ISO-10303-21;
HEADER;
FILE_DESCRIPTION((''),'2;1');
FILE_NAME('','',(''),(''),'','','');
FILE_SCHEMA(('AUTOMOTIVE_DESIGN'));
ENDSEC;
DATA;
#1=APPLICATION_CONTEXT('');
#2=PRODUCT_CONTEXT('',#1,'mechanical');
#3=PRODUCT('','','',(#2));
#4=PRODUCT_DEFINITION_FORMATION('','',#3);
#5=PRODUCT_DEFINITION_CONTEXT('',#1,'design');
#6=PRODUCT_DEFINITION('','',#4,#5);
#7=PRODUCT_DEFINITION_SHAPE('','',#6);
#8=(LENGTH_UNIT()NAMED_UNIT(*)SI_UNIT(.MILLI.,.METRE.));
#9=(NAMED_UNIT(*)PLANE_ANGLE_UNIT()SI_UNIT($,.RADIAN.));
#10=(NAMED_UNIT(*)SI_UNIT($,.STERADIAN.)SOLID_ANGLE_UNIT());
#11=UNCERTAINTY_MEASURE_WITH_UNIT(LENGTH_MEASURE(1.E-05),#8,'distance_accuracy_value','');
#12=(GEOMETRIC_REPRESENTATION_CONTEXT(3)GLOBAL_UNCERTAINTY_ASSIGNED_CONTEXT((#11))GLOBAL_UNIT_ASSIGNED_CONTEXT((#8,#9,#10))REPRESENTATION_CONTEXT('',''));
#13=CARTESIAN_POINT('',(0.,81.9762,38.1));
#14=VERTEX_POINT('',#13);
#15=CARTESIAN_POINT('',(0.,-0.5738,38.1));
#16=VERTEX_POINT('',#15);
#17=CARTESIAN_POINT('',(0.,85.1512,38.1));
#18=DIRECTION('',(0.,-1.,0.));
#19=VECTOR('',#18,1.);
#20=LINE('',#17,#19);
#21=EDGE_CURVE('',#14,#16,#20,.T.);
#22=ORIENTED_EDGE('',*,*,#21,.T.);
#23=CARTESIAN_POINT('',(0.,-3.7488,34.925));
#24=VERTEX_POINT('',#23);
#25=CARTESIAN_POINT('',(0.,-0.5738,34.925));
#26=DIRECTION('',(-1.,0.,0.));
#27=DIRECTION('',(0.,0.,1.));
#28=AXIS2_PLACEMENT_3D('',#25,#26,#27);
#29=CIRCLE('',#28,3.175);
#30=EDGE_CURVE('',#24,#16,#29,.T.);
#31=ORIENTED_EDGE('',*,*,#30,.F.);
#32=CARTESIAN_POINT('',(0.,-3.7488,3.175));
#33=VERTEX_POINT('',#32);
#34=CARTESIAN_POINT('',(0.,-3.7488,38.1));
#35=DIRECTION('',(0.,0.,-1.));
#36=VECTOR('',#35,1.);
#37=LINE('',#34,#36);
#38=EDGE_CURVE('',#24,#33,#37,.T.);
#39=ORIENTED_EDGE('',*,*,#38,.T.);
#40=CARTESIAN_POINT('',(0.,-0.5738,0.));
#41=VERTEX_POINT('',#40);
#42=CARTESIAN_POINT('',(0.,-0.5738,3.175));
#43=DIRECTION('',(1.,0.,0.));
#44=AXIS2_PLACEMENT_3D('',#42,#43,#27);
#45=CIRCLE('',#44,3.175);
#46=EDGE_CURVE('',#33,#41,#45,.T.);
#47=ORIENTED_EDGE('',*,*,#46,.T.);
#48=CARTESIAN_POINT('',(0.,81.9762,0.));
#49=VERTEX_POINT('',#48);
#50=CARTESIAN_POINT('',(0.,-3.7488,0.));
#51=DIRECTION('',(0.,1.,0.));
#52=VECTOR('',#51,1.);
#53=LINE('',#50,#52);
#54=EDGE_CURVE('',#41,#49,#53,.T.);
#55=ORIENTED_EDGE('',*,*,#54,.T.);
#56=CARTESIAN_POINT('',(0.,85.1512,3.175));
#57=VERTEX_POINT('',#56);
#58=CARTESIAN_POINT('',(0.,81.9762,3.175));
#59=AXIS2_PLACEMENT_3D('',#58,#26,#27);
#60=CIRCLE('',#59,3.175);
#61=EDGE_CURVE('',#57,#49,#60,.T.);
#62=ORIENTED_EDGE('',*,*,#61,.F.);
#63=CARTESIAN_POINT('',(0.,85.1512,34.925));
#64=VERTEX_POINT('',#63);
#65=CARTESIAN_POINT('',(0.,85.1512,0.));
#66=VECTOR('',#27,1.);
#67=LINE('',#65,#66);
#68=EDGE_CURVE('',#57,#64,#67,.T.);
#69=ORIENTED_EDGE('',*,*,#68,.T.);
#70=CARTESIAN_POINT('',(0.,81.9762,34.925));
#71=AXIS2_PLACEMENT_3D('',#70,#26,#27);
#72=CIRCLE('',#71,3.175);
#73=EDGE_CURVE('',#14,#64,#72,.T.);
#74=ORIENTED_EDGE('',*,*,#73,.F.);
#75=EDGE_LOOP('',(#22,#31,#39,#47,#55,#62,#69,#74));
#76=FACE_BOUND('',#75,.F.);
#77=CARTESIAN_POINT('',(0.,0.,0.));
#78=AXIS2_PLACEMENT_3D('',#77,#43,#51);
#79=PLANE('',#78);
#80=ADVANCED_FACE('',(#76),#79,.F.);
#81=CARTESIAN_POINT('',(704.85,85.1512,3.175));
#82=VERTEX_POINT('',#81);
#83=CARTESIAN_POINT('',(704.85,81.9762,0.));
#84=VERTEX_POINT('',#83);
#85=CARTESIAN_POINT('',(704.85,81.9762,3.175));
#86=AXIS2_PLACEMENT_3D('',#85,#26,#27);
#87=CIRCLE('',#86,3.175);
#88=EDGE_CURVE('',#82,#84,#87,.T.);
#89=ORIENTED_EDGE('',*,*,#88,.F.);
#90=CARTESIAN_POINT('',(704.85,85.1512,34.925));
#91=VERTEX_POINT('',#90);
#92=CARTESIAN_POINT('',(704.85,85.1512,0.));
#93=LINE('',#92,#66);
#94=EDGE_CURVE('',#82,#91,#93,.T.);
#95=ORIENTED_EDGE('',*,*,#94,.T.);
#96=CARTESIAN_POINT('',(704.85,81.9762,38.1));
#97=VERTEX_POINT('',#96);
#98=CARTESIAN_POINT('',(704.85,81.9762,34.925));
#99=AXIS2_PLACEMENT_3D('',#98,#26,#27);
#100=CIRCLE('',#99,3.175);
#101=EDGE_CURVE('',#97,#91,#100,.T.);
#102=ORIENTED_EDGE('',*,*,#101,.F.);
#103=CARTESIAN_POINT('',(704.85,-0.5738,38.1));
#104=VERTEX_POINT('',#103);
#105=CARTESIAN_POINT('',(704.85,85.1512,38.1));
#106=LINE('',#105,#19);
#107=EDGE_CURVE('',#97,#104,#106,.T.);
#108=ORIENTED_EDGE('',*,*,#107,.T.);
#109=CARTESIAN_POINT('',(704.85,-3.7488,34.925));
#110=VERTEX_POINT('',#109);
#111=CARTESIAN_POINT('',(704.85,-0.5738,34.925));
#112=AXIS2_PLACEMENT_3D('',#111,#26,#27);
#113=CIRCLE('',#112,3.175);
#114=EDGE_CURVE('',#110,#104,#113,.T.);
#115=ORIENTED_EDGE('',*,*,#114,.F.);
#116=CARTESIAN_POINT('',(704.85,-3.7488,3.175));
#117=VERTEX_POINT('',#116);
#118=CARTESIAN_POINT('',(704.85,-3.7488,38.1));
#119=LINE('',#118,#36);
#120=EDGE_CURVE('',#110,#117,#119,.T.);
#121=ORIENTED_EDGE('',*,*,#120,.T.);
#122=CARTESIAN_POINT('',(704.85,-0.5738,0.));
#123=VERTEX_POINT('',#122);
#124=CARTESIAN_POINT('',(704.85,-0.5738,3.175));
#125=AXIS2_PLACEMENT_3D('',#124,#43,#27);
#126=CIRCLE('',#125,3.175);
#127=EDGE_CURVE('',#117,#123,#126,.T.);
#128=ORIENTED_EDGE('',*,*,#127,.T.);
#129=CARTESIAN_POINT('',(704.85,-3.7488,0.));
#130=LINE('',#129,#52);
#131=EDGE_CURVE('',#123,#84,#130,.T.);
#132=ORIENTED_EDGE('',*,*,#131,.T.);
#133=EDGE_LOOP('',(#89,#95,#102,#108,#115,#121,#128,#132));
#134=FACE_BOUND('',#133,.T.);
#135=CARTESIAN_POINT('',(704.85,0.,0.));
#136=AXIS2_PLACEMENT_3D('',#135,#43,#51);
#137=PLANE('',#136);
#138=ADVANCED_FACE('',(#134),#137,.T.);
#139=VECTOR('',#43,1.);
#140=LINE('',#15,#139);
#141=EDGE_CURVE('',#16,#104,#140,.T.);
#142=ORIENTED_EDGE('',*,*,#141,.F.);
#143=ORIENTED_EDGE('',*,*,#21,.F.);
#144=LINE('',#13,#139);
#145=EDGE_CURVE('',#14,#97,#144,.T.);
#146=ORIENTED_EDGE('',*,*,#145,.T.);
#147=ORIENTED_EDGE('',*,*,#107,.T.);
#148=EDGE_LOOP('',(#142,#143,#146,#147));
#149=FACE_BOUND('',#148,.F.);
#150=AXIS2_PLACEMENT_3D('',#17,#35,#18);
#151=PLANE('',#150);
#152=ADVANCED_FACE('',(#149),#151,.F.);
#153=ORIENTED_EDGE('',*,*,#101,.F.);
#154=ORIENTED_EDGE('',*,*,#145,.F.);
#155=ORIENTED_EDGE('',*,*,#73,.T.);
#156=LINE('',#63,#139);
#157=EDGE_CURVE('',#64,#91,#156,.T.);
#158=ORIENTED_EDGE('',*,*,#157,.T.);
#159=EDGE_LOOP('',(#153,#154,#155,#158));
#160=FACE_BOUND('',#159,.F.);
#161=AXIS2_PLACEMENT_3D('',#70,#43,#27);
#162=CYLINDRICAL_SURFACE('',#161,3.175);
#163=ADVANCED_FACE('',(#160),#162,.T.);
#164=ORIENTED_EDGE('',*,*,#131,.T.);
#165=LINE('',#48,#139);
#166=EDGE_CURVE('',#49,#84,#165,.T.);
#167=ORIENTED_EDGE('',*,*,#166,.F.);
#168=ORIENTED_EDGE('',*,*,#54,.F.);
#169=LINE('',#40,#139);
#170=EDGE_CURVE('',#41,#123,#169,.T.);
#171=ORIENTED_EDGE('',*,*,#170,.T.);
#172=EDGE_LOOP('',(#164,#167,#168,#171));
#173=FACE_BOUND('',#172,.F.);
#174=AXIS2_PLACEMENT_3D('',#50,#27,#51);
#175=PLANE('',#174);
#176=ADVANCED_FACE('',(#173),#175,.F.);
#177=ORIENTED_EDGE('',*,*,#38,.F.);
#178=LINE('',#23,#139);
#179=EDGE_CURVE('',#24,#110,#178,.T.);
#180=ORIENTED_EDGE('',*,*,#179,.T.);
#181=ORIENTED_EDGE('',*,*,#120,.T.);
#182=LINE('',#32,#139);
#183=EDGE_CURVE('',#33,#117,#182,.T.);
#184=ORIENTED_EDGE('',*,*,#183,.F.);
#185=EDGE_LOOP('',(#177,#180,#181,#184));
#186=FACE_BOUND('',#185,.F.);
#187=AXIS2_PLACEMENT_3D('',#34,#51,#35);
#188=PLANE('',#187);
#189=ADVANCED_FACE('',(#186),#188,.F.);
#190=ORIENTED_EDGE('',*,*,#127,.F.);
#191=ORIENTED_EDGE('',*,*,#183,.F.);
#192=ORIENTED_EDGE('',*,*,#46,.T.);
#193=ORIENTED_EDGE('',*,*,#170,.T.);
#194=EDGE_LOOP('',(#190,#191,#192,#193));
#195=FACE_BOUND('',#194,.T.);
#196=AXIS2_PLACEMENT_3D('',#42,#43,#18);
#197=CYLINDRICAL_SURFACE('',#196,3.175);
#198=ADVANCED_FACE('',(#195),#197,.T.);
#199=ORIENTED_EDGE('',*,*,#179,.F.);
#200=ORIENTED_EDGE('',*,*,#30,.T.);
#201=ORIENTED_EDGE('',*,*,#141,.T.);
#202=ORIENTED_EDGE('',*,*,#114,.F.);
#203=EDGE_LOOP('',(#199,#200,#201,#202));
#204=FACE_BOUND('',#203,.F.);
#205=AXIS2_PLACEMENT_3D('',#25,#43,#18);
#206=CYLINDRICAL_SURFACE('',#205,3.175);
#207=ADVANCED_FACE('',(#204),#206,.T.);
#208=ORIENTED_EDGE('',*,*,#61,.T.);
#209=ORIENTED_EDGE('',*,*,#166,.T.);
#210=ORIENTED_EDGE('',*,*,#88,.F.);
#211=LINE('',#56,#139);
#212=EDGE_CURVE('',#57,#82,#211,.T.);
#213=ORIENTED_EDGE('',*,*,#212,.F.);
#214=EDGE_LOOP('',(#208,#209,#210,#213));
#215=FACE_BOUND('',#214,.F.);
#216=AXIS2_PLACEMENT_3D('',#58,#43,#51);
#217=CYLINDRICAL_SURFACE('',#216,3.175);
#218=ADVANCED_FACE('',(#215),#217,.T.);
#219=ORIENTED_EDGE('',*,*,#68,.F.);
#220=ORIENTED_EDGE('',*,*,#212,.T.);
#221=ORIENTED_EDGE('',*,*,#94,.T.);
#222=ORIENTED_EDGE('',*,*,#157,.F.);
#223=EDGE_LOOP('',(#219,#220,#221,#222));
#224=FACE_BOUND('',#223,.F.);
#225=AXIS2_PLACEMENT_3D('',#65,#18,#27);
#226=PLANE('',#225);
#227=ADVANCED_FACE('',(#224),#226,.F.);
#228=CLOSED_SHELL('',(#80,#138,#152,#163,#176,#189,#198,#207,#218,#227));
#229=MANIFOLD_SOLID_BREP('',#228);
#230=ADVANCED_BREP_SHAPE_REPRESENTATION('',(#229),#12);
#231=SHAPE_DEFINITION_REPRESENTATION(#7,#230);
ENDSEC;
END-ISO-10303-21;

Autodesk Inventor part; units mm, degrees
ref_plane "YZ Plane" through (0, 0, 0) normal (1, 0, 0) x (0, 1, 0)
ref_plane "XZ Plane" through (0, 0, 0) normal (0, 1, 0) x (-1, 0, 0)
ref_plane "XY Plane" through (0, 0, 0) normal (0, 0, 1) x (1, 0, 0)
sketch "Sketch1" plane through (0, 0, 0) normal (1, 0, 0) x (0, 1, 0)
  line L0 (-3.7488, 0) -> (85.1512, 0)
  line L1 (85.1512, 0) -> (85.1512, 38.1)
  line L2 (85.1512, 38.1) -> (-3.7488, 38.1)
  line L3 (-3.7488, 38.1) -> (-3.7488, 0)
  point P0 (0, 0)
  dimension "d0" = 88.9
  dimension "d1" = 38.1
extrude "Extrusion1" add sketch "Sketch1" along normal blind 704.85
fillet "Fillet1" radius 3.175 4 edges at (352.425, 85.1512, 38.1) (352.425, 85.1512, 0) (352.425, -3.7488, 0) (352.425, -3.7488, 38.1)
properties part number "2x4x27.75" material "Ash"
